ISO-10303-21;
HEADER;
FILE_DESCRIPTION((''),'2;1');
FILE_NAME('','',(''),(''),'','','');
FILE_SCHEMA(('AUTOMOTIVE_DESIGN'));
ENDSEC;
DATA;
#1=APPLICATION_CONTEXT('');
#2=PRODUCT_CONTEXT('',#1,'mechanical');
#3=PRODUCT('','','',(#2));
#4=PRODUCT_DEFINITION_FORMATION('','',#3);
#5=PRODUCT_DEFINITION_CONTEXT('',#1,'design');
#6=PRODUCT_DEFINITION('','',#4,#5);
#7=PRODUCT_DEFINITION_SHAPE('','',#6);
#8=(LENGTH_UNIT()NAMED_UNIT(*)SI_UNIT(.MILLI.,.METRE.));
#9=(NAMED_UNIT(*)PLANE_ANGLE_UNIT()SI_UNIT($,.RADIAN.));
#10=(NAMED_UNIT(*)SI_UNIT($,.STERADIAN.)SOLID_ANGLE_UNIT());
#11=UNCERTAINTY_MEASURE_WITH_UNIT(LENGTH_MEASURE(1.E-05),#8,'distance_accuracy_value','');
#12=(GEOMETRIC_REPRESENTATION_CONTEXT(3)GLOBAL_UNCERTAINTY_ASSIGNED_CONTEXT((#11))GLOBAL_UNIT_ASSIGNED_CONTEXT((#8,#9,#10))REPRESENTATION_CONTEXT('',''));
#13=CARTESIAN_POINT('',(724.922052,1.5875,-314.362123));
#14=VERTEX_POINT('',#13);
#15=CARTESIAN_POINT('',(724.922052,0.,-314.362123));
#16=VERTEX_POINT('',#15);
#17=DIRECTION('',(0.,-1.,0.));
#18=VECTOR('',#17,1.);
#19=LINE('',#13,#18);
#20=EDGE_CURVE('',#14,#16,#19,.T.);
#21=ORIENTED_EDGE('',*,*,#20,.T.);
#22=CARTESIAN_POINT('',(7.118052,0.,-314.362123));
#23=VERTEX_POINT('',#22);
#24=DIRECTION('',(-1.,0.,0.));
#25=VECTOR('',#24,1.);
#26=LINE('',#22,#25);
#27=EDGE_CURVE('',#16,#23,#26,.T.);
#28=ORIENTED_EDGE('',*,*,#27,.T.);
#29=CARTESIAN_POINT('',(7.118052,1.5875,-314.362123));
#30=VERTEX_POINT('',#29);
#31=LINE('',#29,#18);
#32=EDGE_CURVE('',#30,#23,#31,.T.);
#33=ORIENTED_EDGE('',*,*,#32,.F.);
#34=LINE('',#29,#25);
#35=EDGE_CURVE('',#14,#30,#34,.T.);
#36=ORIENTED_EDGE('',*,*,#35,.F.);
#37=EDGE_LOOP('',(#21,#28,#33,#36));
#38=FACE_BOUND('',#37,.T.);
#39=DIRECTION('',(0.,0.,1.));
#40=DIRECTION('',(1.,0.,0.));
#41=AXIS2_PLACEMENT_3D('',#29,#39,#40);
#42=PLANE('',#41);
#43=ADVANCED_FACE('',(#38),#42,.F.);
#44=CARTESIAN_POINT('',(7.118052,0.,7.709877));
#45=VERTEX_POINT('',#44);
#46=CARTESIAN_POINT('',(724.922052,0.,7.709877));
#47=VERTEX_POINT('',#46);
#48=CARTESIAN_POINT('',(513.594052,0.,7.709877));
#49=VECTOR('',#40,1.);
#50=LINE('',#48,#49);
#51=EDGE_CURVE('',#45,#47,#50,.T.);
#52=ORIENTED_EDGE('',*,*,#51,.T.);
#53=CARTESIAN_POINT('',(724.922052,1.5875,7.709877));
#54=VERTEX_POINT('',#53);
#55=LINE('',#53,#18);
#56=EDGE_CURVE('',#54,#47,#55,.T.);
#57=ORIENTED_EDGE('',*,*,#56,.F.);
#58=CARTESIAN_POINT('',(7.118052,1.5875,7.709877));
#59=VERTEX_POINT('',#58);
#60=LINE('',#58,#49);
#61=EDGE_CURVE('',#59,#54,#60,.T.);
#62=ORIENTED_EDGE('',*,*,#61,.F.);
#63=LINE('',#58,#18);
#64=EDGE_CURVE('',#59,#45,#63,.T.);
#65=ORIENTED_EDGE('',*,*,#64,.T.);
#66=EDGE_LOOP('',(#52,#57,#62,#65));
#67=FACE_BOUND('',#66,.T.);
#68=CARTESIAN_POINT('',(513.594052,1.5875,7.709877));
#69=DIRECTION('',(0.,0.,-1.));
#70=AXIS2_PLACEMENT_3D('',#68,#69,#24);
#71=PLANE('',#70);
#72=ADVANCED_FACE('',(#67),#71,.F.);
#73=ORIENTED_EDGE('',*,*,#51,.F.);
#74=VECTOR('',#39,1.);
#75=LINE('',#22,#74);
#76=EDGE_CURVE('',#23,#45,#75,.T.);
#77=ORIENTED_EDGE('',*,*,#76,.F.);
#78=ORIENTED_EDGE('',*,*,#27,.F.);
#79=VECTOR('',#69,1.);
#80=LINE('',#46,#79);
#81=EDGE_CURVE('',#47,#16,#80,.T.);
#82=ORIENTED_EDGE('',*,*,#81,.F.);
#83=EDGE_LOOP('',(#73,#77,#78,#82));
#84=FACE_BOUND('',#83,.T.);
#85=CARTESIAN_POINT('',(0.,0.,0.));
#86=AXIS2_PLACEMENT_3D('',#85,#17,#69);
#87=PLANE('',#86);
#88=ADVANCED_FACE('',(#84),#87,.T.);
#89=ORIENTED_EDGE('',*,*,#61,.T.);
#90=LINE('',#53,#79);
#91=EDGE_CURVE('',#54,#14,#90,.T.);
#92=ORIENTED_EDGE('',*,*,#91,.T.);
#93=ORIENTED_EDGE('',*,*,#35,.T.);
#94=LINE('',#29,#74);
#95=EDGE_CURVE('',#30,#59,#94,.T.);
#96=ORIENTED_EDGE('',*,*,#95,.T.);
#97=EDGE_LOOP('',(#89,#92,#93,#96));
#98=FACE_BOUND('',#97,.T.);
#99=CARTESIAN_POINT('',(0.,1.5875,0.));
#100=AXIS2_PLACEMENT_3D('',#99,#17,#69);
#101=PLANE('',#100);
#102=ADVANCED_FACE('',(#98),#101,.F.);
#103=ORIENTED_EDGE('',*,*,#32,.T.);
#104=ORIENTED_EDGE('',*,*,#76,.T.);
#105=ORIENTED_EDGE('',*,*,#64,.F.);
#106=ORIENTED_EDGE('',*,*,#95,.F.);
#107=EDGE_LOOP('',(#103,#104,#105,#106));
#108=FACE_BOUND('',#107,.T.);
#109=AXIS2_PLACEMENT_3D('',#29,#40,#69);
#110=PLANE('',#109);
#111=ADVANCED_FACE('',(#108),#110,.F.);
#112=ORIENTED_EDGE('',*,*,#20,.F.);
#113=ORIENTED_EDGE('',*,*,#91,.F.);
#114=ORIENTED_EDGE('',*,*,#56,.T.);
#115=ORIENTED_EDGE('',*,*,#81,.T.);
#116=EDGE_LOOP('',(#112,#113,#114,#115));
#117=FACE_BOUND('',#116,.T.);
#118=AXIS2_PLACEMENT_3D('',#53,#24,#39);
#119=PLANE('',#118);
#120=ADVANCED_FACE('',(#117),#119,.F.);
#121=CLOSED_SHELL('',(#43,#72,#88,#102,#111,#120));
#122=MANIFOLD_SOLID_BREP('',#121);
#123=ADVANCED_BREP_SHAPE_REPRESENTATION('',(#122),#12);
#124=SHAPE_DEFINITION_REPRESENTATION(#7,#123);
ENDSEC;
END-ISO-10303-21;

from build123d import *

# Parameters (mm, degrees)
BOSS_EXTRUDE1_DEPTH = 1.5875


with BuildPart() as part:
    # Sketch1 → Boss-Extrude1 (new body)
    with BuildSketch(Plane(origin=(0, 0, 0), x_dir=(1, 0, 0), z_dir=(0, 1, 0))):
        Polygon((368.052052176, -7.709877142), (513.594052176, -7.709877142), (724.922052176, -7.709877142), (724.922052176, 314.362122858), (7.118052176, 314.362122858), (7.118052176, -7.709877142), align=None)
    extrude(amount=BOSS_EXTRUDE1_DEPTH)


solid = part.part
